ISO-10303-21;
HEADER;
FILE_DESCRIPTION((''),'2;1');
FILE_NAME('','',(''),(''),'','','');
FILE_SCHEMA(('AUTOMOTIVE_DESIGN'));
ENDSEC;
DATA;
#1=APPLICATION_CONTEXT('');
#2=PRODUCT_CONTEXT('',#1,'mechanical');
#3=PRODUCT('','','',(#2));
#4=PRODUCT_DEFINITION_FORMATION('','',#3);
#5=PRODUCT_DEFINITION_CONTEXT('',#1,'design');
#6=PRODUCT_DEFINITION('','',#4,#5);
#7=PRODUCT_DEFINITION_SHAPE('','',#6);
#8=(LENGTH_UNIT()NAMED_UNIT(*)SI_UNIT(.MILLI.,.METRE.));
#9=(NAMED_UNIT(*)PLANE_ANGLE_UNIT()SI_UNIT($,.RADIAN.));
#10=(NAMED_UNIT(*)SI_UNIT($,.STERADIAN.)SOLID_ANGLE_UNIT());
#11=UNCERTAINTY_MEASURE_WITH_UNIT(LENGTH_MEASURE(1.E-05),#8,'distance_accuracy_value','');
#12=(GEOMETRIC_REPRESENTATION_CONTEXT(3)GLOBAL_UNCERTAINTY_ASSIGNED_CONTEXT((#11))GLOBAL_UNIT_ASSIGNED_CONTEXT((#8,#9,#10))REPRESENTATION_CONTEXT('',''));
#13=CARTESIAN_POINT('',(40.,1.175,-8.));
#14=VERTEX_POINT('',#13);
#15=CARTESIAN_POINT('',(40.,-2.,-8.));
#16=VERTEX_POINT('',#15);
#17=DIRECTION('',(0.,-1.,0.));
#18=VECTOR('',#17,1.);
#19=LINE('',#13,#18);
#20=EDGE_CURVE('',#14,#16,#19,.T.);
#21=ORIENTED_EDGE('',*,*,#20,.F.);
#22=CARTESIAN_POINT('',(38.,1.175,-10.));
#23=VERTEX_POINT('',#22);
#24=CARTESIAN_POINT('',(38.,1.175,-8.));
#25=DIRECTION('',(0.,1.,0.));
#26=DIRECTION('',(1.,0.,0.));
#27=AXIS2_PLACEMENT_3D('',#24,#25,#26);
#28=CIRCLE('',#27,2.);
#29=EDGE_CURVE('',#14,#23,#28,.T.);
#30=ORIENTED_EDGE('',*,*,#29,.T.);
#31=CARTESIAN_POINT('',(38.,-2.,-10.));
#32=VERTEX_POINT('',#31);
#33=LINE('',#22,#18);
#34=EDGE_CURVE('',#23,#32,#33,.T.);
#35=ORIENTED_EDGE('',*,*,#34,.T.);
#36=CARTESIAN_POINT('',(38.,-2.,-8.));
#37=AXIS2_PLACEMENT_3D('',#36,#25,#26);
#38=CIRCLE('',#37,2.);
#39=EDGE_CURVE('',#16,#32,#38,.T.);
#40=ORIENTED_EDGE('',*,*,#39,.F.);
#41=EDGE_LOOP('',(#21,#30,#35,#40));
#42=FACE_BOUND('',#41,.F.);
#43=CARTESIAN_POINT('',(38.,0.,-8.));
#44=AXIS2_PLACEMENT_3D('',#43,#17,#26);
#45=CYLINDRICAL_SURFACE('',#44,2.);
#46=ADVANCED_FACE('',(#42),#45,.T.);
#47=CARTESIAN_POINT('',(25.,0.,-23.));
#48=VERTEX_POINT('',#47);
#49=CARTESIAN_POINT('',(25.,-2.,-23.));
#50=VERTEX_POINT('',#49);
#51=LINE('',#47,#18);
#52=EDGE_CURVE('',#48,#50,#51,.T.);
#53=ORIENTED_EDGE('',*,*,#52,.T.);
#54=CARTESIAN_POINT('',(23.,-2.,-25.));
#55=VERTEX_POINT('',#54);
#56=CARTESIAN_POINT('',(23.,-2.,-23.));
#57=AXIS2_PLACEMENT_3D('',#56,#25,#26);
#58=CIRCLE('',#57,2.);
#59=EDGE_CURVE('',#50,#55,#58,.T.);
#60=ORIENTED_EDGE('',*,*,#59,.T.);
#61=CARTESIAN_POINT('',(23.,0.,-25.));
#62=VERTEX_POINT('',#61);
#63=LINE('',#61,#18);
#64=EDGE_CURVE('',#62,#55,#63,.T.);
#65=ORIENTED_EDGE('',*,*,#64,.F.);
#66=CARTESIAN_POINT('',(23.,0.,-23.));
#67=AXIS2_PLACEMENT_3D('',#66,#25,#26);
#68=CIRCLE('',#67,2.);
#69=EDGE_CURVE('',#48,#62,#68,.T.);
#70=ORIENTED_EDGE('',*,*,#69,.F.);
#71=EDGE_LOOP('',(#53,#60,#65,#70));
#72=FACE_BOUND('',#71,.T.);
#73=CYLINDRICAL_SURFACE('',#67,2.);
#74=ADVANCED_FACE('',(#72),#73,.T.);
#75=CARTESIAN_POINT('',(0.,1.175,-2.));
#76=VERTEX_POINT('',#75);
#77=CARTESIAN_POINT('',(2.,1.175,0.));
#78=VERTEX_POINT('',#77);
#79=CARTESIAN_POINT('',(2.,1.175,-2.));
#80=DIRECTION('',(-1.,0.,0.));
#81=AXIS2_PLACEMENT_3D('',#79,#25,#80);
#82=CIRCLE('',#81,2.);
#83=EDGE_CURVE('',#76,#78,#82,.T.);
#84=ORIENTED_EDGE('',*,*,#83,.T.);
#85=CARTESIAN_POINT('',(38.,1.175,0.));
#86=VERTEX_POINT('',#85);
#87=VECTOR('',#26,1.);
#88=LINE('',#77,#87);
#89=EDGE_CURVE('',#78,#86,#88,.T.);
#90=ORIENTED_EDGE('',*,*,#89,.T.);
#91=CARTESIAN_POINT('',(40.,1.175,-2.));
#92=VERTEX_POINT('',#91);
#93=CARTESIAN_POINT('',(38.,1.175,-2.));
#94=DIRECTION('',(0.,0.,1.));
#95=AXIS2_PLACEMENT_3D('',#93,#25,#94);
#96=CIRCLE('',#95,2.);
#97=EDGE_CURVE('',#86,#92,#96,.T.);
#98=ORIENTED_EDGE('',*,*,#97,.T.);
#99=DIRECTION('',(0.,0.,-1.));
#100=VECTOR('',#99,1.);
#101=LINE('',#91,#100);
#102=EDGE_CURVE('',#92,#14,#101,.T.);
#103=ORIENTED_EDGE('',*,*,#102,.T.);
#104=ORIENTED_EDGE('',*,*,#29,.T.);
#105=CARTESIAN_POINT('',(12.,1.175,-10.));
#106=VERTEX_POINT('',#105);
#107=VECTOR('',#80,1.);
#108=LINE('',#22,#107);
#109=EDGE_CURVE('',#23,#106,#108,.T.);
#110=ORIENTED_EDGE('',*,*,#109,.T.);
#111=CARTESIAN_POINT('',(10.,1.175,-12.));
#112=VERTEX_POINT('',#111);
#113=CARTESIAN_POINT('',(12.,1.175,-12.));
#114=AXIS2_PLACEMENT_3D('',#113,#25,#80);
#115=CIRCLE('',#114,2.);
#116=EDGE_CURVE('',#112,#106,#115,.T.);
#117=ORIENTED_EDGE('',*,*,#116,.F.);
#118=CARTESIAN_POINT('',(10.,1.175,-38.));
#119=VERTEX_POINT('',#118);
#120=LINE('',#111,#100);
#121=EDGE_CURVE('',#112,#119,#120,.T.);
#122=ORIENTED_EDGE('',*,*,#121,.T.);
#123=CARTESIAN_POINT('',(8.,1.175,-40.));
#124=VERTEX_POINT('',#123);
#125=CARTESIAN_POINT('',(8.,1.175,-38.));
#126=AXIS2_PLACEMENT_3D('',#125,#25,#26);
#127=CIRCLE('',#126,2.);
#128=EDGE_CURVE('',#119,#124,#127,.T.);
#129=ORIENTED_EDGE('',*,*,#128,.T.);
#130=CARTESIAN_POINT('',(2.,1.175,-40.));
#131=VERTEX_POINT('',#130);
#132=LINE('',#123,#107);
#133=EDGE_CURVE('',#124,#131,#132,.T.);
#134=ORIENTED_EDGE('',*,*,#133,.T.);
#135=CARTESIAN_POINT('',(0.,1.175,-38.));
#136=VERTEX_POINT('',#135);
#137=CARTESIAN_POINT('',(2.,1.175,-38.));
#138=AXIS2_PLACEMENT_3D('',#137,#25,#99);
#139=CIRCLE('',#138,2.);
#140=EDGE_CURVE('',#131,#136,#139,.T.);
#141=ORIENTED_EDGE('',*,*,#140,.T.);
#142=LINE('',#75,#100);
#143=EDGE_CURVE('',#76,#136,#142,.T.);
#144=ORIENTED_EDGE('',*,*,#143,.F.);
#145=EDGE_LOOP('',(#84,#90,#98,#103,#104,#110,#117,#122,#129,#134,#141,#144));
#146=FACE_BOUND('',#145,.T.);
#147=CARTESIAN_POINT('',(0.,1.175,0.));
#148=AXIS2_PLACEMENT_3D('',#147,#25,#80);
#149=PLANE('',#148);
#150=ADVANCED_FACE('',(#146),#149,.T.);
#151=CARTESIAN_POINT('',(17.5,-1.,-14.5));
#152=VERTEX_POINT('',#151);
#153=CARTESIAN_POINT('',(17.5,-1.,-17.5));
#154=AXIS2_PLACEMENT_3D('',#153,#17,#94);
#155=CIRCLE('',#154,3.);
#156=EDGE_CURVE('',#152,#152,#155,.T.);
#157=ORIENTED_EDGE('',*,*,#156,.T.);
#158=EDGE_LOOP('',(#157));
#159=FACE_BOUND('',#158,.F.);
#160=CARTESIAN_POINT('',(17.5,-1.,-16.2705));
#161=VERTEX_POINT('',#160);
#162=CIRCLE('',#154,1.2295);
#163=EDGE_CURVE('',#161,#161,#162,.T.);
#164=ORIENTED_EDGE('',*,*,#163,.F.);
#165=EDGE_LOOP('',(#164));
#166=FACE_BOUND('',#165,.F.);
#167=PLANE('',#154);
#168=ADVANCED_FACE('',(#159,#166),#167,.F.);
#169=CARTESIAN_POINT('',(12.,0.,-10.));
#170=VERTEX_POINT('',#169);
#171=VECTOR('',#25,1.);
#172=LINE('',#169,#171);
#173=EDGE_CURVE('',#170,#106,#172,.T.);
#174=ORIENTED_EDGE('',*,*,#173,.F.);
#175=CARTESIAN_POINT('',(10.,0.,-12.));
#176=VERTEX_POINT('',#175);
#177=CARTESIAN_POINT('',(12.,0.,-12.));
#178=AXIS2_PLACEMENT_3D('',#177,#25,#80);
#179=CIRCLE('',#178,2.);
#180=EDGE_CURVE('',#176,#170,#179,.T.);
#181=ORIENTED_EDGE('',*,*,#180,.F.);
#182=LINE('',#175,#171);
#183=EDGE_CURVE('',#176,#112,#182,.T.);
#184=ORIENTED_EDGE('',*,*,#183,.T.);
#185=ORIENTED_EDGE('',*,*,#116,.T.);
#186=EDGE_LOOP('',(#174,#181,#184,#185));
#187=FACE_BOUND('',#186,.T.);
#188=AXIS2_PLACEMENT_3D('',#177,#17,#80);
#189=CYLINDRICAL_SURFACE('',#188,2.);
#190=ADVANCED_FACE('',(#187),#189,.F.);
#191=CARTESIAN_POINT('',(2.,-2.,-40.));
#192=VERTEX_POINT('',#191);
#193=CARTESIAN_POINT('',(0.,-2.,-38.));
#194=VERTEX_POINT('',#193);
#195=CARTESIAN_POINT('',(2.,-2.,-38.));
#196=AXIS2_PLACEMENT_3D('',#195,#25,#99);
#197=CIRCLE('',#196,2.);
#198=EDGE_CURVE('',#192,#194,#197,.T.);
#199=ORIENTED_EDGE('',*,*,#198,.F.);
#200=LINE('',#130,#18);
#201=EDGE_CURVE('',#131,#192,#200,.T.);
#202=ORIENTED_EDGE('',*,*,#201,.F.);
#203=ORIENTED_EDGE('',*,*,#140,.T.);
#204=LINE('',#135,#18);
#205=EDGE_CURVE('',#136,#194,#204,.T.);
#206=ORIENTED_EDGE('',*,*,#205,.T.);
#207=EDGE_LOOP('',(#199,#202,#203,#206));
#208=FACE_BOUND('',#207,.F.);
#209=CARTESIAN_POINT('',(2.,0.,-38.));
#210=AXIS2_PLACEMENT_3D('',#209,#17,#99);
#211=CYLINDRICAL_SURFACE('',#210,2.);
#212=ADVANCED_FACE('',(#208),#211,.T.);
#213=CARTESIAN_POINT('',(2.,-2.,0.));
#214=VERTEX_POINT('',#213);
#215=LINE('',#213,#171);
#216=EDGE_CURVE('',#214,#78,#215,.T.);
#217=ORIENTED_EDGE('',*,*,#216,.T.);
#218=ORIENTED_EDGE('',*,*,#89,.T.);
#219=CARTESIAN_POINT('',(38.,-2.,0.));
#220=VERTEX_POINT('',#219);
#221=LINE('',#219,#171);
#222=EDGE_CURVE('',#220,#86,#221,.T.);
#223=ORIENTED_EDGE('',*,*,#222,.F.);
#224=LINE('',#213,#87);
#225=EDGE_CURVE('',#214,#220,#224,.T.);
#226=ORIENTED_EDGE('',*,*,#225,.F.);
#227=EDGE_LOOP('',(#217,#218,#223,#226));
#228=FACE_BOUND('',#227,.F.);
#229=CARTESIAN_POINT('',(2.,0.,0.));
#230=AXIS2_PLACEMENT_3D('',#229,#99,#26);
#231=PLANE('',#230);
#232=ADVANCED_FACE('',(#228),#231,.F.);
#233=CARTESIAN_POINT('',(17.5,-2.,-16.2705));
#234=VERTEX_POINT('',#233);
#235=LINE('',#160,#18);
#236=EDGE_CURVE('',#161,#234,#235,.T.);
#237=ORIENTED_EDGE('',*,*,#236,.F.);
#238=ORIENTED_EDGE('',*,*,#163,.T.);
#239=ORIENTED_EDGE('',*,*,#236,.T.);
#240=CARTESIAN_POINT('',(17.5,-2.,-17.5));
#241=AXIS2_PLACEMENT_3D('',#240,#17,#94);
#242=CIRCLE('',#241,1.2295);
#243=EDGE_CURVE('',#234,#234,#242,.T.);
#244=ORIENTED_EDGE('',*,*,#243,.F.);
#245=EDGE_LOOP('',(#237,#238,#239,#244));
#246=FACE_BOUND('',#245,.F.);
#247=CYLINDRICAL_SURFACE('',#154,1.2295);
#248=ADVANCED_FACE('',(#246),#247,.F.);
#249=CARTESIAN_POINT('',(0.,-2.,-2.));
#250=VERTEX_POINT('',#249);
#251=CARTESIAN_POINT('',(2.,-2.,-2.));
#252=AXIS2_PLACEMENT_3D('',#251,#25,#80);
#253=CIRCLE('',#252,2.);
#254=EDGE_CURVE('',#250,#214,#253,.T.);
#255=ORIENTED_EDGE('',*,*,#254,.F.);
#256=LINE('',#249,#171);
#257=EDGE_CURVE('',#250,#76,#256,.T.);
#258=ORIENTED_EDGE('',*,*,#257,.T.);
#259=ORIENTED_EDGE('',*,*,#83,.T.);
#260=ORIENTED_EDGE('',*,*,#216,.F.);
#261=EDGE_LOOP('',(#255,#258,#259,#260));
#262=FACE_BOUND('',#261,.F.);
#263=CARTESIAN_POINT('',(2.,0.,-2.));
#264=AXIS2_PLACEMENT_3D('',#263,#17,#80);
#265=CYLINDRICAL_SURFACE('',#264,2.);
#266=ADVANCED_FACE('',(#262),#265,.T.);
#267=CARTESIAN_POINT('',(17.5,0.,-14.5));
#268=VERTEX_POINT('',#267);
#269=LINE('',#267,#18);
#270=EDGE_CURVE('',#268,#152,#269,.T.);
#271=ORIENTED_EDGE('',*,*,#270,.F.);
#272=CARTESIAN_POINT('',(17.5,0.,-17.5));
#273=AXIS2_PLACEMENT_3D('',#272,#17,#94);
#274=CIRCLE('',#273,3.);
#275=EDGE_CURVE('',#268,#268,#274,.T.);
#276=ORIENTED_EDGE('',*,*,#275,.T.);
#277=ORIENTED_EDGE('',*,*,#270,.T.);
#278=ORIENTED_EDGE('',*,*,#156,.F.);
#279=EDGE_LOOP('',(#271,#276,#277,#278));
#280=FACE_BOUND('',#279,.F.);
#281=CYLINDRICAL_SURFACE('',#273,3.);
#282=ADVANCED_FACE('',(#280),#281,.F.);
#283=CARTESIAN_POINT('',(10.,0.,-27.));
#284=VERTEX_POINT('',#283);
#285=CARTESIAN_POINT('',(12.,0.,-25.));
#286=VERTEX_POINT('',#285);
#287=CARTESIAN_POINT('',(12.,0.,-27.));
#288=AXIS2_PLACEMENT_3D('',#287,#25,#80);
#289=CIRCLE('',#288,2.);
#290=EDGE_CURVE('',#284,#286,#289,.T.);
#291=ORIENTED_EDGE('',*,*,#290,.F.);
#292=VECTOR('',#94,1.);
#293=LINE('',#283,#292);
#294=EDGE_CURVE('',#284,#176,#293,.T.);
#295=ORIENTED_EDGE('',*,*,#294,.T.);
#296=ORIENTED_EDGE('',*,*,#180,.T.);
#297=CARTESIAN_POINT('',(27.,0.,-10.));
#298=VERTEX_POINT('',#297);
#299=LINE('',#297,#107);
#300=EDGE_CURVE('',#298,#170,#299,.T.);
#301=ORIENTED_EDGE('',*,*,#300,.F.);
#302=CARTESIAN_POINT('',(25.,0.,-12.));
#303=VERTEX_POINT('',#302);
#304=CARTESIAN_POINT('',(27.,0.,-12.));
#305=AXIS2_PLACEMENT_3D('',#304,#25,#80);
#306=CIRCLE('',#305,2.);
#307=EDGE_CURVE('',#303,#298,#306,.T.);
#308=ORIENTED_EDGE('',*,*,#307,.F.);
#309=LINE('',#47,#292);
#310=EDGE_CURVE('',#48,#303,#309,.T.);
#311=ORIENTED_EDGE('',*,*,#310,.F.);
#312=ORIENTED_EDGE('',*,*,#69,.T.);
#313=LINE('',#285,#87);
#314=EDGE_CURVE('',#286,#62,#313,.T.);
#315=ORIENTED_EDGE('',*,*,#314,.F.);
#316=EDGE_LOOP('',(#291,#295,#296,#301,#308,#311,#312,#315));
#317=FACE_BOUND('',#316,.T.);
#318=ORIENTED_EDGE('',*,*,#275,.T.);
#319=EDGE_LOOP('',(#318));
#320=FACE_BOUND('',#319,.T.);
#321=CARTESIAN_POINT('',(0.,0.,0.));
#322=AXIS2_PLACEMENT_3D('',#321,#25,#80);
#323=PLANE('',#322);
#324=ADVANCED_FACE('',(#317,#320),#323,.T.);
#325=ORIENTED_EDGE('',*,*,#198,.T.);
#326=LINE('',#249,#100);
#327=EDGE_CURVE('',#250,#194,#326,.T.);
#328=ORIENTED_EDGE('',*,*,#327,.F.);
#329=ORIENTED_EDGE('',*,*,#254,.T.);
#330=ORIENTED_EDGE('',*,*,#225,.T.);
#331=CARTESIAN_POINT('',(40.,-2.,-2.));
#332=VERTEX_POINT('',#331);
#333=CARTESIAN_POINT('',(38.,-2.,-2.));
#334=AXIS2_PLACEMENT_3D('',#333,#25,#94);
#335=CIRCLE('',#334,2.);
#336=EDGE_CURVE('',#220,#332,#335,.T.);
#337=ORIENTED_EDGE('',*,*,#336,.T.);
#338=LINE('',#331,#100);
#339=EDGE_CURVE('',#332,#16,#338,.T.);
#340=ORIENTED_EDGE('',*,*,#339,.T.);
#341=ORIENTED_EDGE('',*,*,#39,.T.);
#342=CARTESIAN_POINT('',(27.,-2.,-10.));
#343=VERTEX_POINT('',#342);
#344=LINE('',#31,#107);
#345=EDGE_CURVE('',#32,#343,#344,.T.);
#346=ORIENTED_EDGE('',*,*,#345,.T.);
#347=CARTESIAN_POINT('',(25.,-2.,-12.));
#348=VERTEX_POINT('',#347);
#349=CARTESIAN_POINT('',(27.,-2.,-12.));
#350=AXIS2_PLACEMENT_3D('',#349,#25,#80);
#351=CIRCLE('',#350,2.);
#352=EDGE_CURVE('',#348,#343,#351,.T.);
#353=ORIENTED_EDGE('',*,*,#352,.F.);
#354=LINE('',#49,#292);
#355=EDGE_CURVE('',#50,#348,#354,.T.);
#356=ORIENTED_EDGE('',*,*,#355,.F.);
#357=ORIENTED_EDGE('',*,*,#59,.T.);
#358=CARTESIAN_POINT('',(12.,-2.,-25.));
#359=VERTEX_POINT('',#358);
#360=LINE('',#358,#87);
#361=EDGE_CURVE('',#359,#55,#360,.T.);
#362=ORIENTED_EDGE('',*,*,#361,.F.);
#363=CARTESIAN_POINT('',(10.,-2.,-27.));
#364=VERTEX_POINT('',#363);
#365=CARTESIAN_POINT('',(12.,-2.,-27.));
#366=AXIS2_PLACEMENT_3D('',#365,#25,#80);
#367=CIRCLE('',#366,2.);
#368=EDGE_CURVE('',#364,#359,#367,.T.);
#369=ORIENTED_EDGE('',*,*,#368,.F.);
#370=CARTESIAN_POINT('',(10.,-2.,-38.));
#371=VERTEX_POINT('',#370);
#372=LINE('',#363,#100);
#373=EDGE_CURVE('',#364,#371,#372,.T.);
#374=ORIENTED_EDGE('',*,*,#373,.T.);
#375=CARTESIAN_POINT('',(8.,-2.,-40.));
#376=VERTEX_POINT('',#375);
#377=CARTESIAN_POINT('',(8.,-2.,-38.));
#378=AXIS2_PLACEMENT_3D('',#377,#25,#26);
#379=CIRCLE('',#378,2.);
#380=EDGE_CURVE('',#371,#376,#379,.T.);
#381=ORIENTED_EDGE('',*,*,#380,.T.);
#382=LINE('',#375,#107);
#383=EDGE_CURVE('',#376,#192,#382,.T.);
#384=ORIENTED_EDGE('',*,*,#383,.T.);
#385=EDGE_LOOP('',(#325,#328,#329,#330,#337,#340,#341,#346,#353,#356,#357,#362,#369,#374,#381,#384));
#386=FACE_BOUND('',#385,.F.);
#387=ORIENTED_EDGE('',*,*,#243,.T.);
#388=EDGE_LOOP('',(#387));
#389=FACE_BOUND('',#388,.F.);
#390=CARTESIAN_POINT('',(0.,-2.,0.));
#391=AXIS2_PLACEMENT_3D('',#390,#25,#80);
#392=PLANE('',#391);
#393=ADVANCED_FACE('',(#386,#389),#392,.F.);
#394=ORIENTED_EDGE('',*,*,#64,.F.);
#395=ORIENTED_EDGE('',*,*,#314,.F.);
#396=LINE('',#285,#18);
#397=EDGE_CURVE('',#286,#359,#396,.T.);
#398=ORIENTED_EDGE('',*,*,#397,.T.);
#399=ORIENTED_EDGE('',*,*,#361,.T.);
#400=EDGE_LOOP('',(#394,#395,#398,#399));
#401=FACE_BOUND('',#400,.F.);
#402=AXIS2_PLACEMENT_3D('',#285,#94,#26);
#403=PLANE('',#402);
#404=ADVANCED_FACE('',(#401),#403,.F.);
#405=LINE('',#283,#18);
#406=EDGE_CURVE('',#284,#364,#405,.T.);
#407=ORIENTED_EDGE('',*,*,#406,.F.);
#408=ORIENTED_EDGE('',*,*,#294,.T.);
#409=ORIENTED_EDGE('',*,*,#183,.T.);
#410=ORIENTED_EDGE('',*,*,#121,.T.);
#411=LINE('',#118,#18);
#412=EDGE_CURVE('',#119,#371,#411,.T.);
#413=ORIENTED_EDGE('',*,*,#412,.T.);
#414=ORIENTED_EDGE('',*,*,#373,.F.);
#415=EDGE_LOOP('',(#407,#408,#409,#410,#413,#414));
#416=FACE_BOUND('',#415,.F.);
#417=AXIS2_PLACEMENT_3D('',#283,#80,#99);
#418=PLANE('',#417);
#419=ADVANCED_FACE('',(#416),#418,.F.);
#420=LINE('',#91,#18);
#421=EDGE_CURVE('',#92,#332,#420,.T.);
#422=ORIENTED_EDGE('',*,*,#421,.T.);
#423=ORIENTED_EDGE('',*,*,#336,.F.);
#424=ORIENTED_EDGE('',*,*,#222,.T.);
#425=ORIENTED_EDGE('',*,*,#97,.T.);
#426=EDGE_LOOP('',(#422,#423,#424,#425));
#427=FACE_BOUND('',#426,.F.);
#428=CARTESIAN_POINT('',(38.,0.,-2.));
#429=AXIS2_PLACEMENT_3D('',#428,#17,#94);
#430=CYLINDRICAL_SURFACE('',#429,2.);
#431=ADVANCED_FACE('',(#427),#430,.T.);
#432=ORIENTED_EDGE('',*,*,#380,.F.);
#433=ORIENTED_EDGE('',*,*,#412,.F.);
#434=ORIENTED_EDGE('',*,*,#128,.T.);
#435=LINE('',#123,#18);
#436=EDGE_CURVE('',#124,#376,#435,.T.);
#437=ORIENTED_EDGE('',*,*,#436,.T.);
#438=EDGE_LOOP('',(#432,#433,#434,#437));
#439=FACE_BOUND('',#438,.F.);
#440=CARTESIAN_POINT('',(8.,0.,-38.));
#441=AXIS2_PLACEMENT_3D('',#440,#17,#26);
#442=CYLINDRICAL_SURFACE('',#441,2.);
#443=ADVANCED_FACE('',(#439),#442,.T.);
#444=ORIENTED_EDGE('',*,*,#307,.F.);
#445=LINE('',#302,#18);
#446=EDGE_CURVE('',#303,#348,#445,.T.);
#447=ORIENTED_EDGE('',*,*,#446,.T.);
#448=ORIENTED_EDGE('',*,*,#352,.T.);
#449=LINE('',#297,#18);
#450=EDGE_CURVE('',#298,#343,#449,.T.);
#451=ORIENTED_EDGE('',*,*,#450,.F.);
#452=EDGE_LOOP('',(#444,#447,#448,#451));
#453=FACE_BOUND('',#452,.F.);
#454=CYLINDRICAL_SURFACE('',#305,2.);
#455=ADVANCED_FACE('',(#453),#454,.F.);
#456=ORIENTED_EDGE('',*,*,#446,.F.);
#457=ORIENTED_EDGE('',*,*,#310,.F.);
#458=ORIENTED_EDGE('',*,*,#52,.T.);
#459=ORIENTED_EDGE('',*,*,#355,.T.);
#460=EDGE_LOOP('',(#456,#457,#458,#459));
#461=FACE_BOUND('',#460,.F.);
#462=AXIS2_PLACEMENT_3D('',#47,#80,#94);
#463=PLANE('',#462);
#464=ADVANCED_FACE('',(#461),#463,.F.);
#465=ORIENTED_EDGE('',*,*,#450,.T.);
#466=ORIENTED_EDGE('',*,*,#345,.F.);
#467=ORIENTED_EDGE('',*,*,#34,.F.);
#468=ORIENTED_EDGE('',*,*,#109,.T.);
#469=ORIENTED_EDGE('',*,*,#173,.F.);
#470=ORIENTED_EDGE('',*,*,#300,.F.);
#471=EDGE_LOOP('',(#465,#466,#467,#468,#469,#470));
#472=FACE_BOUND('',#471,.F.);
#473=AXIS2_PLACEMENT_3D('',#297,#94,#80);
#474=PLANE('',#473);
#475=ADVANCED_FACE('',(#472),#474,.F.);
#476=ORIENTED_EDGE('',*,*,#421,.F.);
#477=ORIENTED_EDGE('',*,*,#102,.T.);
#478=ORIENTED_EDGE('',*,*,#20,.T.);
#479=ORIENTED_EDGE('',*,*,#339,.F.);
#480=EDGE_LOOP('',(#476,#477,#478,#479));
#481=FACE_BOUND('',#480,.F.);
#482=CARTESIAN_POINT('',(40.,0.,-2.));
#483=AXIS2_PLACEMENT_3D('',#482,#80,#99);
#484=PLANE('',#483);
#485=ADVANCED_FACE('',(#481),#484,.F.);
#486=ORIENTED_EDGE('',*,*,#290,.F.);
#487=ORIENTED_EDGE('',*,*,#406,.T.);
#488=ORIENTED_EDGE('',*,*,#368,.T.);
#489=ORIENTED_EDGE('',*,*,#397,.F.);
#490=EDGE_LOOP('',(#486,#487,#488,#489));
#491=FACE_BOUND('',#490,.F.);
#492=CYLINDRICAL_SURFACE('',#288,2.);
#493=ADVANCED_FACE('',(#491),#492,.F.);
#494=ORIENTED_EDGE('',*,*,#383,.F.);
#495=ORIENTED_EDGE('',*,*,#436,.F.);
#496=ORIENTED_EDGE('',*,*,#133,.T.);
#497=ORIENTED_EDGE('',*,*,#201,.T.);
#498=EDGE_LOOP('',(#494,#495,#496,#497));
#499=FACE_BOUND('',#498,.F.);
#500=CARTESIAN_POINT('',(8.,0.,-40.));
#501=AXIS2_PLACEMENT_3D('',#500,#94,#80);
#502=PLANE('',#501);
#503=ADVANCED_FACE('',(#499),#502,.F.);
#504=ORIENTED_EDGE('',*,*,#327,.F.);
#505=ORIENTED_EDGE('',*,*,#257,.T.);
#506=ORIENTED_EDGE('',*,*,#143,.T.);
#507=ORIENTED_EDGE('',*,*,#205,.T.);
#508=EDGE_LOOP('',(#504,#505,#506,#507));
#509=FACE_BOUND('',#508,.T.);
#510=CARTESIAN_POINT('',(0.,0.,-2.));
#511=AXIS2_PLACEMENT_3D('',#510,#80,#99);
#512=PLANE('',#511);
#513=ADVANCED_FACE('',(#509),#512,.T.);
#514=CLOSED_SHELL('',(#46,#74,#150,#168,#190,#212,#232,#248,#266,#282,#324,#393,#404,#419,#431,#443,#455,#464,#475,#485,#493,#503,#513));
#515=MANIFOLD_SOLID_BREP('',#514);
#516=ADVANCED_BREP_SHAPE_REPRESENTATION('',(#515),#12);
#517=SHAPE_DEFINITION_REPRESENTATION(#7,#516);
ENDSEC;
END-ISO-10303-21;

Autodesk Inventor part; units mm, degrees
ref_plane "YZ Plane" through (0, 0, 0) normal (1, 0, 0) x (0, 1, 0)
ref_plane "XZ Plane" through (0, 0, 0) normal (0, 1, 0) x (-1, 0, 0)
ref_plane "XY Plane" through (0, 0, 0) normal (0, 0, 1) x (1, 0, 0)
sketch "Sketch1" plane through (0, 0, 0) normal (0, 1, 0) x (-1, 0, 0)
  line L0 (0, -2) -> (0, -38)
  line L1 (-2, 0) -> (-38, 0)
  line L2 (-40, -2) -> (-40, -8)
  line L3 (-38, -10) -> (-27, -10)
  line L4 (-10, -27) -> (-10, -38)
  line L5 (-8, -40) -> (-2, -40)
  line L6 (-12, -25) -> (-23, -25)
  line L7 (-25, -23) -> (-25, -12)
  arc A0 (-10, -27) -> (-12, -25) centre (-12, -27) ccw
  arc A1 (-25, -23) -> (-23, -25) centre (-23, -23) ccw
  arc A2 (-25, -12) -> (-27, -10) centre (-27, -12) ccw
  arc A3 (-10, -38) -> (-8, -40) centre (-8, -38) ccw
  arc A4 (-40, -8) -> (-38, -10) centre (-38, -8) ccw
  arc A5 (-38, 0) -> (-40, -2) centre (-38, -2) ccw
  arc A6 (0, -2) -> (-2, 0) centre (-2, -2) ccw
  arc A7 (-2, -40) -> (0, -38) centre (-2, -38) ccw
  line L8 (-27, -10) -> (-12, -10)
  line L9 (-10, -27) -> (-10, -12)
  arc A8 (-10, -12) -> (-12, -10) centre (-12, -12) ccw
  point P0 (0, 0)
  point P1 (0, -40)
  point P2 (-40, 0)
  point P3 (-40, -10)
  point P4 (-10, -10)
  point P5 (-10, -40)
  point P6 (-10, -25)
  point P7 (-25, -25)
  point P8 (-25, -10)
  point P9 (-17.5, -17.5)
  dimension "d0" = 40
  dimension "d2" = 10
  dimension "d8" = 15
  dimension "d9" = 15
  dimension "d11" = 10
  dimension "d12" = 40
  dimension "d13" = 2
  dimension "d14" = 2
extrude "Extrusion1" add sketch "Sketch1" along normal blind 1.175 contours L0 A7 L5 A3 L4 L9 A8 L8 L3 A4 L2 A5 L1 A6
extrude "Extrusion2" add sketch "Sketch1" against normal blind 2
hole "Hole1" at (17.5, 0, -17.5) direction (0, -1, 0) diameter 2.459 depth 8.8 tip angle 118 counterbore diameter 6 counterbore depth 1 thread size "M3x0.5" class "6H" standard "ANSI Metric M Profile"
properties part number "Standoff_Corner"
